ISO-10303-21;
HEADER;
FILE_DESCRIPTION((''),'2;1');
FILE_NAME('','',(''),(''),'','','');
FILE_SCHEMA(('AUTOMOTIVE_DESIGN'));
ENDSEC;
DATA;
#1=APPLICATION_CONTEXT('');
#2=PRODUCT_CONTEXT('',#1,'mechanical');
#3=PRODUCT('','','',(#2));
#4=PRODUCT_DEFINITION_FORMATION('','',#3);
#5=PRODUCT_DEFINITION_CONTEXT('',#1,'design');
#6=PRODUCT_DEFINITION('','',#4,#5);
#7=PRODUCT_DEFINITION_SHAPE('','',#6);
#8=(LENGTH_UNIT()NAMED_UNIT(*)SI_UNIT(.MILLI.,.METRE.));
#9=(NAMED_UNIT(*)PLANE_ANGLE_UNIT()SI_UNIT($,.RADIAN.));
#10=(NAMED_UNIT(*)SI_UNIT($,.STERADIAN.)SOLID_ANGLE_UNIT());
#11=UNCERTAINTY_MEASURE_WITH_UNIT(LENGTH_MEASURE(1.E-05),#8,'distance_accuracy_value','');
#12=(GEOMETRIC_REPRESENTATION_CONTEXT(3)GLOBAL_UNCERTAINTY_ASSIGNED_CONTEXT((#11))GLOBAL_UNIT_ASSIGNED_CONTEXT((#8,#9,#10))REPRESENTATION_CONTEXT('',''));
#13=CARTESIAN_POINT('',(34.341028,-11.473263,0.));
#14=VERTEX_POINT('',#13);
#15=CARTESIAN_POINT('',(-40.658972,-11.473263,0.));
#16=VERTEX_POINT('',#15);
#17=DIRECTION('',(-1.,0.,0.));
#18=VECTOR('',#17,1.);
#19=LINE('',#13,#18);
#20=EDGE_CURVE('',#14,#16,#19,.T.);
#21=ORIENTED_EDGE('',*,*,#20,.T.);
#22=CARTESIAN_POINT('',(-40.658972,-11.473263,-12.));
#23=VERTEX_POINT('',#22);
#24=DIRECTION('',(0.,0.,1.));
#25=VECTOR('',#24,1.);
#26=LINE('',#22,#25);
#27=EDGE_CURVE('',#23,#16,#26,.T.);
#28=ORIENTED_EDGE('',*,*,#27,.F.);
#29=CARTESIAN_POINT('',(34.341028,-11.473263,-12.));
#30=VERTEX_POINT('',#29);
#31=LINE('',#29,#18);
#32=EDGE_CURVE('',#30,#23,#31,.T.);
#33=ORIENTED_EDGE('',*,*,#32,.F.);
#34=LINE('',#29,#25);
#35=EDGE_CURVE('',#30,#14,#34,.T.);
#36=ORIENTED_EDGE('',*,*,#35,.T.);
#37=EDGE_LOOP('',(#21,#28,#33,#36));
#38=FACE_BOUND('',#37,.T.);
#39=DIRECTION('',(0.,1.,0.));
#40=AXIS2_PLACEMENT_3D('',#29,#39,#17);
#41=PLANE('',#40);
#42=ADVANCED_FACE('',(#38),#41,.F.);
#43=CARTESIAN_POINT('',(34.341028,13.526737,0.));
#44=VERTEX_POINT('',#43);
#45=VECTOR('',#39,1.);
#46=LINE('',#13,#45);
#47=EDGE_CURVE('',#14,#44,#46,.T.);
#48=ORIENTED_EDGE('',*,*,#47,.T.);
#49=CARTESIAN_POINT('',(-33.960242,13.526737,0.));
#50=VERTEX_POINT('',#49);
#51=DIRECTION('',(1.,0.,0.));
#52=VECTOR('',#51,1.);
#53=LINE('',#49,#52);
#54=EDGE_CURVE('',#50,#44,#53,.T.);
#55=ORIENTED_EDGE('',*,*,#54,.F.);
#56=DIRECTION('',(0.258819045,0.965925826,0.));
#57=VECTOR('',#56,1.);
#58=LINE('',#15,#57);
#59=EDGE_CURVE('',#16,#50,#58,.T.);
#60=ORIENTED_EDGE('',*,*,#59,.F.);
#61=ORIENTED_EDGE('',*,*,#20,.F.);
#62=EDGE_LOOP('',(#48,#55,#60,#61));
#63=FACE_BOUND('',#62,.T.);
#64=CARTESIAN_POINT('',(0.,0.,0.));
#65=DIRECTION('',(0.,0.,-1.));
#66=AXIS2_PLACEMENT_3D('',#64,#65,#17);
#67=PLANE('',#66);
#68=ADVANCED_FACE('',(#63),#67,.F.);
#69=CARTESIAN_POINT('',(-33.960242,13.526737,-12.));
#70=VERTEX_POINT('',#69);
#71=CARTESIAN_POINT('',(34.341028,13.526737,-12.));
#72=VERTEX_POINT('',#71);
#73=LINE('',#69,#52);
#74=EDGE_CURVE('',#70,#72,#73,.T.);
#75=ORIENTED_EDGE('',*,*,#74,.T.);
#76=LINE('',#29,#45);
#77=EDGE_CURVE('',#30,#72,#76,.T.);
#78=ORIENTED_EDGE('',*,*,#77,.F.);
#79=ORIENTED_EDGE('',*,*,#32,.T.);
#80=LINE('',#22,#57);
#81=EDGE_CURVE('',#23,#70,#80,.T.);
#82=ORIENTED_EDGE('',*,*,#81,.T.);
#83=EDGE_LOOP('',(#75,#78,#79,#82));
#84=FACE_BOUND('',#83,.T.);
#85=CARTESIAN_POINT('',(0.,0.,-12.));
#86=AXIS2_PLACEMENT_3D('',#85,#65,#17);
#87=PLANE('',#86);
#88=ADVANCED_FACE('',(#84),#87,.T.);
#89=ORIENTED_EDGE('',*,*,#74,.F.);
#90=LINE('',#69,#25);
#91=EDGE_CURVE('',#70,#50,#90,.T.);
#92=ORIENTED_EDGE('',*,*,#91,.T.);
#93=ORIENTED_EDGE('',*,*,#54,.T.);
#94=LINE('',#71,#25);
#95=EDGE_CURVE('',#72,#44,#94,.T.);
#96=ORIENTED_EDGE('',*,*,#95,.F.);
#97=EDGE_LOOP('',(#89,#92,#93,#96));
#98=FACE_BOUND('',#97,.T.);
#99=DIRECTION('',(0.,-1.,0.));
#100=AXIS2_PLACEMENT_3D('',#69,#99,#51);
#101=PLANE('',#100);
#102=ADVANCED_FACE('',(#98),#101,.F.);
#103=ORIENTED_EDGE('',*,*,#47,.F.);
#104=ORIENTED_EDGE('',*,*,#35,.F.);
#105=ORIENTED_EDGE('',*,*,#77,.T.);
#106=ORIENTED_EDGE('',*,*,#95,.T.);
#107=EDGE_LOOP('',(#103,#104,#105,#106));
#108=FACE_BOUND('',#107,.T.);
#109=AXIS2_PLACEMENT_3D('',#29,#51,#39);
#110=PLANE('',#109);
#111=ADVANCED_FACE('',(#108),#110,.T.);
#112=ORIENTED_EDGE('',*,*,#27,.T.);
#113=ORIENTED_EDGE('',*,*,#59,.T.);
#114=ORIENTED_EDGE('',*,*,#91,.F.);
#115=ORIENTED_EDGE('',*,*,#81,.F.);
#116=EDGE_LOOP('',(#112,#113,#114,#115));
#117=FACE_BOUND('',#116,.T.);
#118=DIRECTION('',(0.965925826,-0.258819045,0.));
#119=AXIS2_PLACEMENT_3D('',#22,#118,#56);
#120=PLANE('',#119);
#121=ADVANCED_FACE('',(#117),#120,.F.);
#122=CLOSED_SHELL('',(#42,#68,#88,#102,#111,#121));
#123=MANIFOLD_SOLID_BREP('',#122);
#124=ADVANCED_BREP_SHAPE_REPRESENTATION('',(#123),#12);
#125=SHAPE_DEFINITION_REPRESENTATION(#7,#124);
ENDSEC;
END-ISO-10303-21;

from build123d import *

# Parameters (mm, degrees)
BOSS_EXTRUDE1_DEPTH = 12


with BuildPart() as part:
    # Sketch1 → Boss-Extrude1 (new body)
    with BuildSketch(Plane(origin=(0, 0, 0), x_dir=(0.9659258262890718, -0.2588190451025078, 0), z_dir=(0, 0, 1))):
        Polygon((-36.304051897, 4.27626676), (29.669908947, 21.95393629), (36.140385074, -2.194209368), (-36.304051897, -21.60563775), align=None)
    extrude(amount=-BOSS_EXTRUDE1_DEPTH)


solid = part.part
